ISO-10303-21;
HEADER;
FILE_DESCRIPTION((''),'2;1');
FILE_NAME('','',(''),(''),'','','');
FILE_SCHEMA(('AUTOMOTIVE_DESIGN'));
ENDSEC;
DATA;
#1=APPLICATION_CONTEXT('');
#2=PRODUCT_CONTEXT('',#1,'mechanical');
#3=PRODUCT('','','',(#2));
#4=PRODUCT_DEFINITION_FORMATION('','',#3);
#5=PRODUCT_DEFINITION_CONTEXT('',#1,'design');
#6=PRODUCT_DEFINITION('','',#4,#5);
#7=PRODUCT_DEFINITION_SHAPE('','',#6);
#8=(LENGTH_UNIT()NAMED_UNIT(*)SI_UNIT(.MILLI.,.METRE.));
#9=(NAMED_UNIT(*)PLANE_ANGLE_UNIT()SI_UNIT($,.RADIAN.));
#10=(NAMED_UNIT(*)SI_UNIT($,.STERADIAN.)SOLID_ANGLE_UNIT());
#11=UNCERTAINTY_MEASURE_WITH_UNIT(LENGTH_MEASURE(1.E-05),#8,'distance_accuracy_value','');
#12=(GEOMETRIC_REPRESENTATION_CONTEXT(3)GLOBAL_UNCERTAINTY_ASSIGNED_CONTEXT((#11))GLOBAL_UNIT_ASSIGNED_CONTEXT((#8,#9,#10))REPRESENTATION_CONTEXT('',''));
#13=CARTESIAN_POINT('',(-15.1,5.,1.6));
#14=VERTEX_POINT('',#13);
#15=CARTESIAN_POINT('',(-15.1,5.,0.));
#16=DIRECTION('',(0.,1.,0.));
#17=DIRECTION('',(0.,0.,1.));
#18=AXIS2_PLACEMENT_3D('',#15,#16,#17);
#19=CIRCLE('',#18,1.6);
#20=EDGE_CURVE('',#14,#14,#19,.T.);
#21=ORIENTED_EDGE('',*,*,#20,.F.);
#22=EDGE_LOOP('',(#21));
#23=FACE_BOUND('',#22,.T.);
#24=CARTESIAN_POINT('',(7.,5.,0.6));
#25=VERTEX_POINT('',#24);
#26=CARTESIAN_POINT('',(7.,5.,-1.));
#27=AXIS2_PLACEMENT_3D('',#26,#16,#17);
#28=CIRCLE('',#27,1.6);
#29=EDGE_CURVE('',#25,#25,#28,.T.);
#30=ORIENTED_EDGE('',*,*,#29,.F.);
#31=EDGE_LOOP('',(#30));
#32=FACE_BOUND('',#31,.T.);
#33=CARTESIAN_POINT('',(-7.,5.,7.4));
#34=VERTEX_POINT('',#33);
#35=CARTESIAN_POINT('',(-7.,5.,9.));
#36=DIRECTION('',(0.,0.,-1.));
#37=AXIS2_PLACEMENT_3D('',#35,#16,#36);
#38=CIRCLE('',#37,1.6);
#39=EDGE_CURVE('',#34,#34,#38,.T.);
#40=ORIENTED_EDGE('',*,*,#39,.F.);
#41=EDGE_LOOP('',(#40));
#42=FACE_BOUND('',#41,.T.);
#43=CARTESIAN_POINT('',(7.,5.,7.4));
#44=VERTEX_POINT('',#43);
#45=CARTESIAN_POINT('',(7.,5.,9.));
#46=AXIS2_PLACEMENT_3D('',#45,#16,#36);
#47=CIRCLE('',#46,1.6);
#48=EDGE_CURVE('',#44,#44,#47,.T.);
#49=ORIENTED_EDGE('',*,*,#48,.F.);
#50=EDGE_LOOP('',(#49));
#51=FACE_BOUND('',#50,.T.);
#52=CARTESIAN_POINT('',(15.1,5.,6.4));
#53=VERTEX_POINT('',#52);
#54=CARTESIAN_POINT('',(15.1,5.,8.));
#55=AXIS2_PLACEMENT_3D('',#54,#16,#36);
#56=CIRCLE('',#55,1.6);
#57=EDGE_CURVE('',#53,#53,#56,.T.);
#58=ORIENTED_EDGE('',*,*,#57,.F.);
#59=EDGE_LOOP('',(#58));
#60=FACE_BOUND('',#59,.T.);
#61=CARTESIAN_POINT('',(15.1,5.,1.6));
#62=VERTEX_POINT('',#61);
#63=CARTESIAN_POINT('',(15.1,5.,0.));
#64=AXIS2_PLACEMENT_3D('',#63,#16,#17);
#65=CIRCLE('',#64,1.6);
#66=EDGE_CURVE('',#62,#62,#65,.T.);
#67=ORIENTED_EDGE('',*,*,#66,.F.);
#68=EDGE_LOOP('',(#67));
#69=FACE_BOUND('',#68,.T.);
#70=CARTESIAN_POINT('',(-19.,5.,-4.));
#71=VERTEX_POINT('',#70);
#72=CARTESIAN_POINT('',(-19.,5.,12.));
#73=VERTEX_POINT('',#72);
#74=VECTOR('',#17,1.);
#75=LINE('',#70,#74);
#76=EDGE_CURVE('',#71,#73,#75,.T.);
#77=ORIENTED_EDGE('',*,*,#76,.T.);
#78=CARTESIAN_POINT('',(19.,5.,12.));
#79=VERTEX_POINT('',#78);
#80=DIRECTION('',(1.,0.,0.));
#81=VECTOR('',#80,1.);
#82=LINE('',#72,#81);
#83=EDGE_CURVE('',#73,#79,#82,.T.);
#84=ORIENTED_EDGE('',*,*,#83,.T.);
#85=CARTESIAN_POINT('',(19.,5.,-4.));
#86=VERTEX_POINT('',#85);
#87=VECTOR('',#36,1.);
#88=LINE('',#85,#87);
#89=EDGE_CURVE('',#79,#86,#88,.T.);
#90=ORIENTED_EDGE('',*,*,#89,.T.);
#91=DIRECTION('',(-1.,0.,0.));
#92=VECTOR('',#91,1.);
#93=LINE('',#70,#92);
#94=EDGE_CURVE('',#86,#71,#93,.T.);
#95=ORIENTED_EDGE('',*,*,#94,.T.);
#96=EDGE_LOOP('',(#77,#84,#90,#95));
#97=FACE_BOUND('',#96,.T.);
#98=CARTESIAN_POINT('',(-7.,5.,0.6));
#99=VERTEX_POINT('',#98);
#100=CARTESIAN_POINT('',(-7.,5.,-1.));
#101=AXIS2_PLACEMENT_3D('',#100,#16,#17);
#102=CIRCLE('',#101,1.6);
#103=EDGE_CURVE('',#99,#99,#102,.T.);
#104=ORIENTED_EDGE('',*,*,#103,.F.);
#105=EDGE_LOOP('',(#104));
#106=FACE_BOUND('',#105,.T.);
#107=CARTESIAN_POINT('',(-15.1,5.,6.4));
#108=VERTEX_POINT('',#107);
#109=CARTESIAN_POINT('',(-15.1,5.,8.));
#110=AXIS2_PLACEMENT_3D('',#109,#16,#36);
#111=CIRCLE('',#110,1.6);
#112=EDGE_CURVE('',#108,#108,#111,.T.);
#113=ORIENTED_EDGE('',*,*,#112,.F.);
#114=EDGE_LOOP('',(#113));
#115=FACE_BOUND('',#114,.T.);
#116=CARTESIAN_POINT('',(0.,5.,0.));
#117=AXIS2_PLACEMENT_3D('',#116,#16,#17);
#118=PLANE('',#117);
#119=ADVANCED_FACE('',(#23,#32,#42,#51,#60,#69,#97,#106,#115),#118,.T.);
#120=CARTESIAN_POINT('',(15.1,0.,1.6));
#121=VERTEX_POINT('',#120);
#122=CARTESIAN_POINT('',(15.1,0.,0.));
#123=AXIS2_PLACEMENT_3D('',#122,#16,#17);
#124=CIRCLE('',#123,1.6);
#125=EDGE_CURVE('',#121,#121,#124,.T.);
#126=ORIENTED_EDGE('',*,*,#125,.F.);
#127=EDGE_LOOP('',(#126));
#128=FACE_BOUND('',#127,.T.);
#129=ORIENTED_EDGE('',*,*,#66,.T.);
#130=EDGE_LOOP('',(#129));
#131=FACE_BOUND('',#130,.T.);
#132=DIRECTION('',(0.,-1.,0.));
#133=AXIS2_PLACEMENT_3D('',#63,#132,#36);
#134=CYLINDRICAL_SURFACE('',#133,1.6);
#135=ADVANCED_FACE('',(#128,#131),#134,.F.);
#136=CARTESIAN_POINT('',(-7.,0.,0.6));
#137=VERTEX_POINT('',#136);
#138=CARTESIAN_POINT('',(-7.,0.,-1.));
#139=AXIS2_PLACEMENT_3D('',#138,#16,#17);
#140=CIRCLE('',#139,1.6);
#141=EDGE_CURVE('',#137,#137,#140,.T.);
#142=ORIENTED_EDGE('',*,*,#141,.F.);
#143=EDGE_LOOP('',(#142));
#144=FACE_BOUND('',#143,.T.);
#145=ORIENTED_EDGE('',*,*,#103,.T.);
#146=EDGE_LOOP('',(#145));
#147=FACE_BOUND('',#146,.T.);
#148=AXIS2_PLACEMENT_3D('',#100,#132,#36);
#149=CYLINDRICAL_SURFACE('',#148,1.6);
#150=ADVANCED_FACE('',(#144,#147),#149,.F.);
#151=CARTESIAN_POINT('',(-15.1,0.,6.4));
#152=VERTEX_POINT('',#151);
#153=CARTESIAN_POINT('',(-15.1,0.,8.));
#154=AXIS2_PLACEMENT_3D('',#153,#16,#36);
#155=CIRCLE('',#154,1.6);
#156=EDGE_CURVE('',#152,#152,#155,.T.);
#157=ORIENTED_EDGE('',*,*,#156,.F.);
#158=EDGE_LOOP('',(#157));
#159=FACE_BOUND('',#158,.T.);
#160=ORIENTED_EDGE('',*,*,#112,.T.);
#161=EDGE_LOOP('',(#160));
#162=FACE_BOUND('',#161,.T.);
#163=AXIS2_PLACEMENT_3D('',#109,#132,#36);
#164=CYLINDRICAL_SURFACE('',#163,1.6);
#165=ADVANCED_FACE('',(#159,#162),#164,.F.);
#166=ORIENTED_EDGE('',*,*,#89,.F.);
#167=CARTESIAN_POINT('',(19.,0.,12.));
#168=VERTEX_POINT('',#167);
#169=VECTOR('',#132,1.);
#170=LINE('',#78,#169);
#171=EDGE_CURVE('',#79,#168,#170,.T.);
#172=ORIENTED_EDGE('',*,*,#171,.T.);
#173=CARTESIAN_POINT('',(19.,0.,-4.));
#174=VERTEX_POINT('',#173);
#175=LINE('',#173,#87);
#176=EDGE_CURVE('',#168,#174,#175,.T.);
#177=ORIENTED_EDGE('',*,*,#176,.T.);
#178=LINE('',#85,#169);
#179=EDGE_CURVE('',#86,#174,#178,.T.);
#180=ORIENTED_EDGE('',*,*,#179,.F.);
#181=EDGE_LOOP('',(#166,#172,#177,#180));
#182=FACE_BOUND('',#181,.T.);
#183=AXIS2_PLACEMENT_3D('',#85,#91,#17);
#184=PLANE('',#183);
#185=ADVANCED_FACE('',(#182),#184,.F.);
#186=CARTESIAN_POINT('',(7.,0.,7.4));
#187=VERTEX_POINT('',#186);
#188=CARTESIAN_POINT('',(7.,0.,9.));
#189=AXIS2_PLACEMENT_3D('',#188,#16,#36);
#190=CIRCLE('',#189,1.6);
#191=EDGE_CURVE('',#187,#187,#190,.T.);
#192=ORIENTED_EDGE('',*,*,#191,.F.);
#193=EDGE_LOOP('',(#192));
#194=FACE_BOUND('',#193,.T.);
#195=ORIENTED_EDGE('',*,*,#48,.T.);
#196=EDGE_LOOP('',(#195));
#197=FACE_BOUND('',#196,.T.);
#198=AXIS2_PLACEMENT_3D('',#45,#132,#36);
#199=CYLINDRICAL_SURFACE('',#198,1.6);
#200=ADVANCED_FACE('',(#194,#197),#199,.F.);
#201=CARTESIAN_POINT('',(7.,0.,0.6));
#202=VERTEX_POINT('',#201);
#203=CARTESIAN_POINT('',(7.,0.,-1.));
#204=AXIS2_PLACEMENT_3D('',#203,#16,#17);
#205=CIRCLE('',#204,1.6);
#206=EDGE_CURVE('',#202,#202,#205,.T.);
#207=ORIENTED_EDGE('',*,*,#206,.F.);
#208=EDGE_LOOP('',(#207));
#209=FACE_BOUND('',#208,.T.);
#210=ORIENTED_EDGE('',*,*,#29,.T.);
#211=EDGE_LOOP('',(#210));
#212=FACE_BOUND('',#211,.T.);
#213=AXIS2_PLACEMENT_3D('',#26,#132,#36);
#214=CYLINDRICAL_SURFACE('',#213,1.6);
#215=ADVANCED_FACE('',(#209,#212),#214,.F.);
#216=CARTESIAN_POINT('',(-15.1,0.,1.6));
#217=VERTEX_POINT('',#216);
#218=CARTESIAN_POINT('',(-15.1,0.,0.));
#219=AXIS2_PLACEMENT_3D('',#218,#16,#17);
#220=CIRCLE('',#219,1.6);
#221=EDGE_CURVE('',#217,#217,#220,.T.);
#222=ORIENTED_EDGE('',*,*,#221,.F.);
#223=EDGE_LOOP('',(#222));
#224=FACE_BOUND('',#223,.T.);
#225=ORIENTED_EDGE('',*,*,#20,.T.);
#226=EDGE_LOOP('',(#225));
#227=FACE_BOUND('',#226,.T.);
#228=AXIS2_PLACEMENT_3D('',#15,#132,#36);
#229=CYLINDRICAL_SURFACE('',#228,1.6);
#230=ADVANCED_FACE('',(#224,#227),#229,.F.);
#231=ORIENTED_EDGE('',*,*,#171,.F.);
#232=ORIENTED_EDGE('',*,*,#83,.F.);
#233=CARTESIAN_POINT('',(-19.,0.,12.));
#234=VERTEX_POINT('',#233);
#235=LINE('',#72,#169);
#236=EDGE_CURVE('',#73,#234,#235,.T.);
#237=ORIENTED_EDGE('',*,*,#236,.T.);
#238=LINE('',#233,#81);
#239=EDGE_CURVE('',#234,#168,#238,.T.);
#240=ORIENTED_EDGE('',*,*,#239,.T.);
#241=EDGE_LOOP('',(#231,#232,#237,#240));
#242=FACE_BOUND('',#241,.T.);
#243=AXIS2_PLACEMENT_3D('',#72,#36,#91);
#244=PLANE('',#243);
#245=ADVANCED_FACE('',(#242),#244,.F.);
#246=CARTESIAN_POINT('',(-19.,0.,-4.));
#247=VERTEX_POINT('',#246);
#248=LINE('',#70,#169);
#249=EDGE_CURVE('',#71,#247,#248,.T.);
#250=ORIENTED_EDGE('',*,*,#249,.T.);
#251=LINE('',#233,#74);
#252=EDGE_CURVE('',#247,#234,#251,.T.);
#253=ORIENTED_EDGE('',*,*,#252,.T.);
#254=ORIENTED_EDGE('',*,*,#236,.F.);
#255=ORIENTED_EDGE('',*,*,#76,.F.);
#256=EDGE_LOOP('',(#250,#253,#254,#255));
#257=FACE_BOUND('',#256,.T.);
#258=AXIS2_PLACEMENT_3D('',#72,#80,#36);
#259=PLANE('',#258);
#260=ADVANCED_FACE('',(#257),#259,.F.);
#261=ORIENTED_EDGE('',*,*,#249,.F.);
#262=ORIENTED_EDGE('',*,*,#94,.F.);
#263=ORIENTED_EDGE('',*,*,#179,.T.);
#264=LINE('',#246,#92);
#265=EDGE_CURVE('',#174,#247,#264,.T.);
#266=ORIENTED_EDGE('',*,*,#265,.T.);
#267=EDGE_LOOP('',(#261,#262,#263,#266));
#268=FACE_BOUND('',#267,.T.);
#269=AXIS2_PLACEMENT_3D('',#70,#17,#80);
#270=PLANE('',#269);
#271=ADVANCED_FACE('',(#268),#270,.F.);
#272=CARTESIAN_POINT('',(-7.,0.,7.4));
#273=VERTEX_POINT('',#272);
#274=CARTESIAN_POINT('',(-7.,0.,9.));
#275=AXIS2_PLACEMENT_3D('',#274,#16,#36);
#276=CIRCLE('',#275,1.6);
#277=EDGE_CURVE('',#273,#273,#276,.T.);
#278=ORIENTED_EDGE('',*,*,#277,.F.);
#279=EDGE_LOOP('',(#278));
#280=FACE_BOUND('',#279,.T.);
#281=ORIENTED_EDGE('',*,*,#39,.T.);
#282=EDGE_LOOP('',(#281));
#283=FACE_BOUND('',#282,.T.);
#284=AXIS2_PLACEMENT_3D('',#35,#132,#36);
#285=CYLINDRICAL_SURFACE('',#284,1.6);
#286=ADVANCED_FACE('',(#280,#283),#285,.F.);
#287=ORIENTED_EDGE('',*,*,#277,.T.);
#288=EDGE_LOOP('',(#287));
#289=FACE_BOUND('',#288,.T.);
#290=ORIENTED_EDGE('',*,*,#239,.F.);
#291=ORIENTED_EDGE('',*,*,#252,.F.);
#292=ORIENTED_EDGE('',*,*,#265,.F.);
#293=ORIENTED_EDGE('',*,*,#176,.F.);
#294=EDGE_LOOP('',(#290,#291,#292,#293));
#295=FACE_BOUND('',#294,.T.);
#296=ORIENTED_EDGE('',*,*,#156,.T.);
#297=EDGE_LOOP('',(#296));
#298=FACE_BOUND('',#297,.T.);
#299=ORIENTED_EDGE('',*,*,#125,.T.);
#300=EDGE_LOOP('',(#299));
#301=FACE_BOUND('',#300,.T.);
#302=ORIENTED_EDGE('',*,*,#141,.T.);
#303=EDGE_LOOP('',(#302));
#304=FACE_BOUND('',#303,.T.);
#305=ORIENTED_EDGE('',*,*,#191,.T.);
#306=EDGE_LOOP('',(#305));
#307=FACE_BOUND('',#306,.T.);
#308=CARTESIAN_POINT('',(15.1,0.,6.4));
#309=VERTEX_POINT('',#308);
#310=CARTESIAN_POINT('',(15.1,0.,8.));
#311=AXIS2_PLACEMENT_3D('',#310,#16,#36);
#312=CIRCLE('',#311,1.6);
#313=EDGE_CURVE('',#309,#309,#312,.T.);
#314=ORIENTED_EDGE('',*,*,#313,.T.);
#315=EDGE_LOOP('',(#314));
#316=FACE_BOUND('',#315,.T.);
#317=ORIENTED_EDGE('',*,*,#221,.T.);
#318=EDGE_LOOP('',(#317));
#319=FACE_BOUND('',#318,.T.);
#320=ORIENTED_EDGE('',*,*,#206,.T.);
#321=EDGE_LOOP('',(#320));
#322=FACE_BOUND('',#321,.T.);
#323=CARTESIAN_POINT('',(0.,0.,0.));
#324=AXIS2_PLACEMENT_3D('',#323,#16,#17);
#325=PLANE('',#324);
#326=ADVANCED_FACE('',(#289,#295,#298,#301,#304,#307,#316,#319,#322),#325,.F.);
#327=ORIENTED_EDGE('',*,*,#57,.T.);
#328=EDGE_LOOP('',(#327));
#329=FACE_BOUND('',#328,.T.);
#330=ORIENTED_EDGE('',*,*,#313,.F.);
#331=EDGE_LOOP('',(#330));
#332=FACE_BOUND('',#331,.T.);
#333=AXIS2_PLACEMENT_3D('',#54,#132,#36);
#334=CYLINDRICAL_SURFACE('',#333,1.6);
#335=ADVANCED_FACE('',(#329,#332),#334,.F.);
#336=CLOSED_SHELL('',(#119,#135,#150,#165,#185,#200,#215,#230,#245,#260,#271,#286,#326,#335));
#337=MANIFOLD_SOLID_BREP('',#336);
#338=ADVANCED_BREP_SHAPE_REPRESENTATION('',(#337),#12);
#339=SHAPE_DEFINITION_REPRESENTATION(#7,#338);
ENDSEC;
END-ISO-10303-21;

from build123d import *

# Parameters (mm, degrees)
SKETCH1_R           = 1.6
BOSS_EXTRUDE1_DEPTH = 5


with BuildPart() as part:
    # Sketch1 → Boss-Extrude1 (new body)
    with BuildSketch(Plane(origin=(0, 0, 0), x_dir=(1, 0, 0), z_dir=(0, 1, 0))):
        Polygon((-19, 4), (19, 4), (19, -12), (-19, -12), (-19, -4), align=None)
        with Locations((-7, 1)):
            Circle(SKETCH1_R, mode=Mode.SUBTRACT)
        with Locations((7, 1)):
            Circle(SKETCH1_R, mode=Mode.SUBTRACT)
        with Locations((15.1, 0)):
            Circle(SKETCH1_R, mode=Mode.SUBTRACT)
        with Locations((-15.1, 0)):
            Circle(SKETCH1_R, mode=Mode.SUBTRACT)
        with Locations((-15.1, -8)):
            Circle(SKETCH1_R, mode=Mode.SUBTRACT)
        with Locations((15.1, -8)):
            Circle(SKETCH1_R, mode=Mode.SUBTRACT)
        with Locations((7, -9)):
            Circle(SKETCH1_R, mode=Mode.SUBTRACT)
        with Locations((-7, -9)):
            Circle(SKETCH1_R, mode=Mode.SUBTRACT)
    extrude(amount=BOSS_EXTRUDE1_DEPTH)


solid = part.part
